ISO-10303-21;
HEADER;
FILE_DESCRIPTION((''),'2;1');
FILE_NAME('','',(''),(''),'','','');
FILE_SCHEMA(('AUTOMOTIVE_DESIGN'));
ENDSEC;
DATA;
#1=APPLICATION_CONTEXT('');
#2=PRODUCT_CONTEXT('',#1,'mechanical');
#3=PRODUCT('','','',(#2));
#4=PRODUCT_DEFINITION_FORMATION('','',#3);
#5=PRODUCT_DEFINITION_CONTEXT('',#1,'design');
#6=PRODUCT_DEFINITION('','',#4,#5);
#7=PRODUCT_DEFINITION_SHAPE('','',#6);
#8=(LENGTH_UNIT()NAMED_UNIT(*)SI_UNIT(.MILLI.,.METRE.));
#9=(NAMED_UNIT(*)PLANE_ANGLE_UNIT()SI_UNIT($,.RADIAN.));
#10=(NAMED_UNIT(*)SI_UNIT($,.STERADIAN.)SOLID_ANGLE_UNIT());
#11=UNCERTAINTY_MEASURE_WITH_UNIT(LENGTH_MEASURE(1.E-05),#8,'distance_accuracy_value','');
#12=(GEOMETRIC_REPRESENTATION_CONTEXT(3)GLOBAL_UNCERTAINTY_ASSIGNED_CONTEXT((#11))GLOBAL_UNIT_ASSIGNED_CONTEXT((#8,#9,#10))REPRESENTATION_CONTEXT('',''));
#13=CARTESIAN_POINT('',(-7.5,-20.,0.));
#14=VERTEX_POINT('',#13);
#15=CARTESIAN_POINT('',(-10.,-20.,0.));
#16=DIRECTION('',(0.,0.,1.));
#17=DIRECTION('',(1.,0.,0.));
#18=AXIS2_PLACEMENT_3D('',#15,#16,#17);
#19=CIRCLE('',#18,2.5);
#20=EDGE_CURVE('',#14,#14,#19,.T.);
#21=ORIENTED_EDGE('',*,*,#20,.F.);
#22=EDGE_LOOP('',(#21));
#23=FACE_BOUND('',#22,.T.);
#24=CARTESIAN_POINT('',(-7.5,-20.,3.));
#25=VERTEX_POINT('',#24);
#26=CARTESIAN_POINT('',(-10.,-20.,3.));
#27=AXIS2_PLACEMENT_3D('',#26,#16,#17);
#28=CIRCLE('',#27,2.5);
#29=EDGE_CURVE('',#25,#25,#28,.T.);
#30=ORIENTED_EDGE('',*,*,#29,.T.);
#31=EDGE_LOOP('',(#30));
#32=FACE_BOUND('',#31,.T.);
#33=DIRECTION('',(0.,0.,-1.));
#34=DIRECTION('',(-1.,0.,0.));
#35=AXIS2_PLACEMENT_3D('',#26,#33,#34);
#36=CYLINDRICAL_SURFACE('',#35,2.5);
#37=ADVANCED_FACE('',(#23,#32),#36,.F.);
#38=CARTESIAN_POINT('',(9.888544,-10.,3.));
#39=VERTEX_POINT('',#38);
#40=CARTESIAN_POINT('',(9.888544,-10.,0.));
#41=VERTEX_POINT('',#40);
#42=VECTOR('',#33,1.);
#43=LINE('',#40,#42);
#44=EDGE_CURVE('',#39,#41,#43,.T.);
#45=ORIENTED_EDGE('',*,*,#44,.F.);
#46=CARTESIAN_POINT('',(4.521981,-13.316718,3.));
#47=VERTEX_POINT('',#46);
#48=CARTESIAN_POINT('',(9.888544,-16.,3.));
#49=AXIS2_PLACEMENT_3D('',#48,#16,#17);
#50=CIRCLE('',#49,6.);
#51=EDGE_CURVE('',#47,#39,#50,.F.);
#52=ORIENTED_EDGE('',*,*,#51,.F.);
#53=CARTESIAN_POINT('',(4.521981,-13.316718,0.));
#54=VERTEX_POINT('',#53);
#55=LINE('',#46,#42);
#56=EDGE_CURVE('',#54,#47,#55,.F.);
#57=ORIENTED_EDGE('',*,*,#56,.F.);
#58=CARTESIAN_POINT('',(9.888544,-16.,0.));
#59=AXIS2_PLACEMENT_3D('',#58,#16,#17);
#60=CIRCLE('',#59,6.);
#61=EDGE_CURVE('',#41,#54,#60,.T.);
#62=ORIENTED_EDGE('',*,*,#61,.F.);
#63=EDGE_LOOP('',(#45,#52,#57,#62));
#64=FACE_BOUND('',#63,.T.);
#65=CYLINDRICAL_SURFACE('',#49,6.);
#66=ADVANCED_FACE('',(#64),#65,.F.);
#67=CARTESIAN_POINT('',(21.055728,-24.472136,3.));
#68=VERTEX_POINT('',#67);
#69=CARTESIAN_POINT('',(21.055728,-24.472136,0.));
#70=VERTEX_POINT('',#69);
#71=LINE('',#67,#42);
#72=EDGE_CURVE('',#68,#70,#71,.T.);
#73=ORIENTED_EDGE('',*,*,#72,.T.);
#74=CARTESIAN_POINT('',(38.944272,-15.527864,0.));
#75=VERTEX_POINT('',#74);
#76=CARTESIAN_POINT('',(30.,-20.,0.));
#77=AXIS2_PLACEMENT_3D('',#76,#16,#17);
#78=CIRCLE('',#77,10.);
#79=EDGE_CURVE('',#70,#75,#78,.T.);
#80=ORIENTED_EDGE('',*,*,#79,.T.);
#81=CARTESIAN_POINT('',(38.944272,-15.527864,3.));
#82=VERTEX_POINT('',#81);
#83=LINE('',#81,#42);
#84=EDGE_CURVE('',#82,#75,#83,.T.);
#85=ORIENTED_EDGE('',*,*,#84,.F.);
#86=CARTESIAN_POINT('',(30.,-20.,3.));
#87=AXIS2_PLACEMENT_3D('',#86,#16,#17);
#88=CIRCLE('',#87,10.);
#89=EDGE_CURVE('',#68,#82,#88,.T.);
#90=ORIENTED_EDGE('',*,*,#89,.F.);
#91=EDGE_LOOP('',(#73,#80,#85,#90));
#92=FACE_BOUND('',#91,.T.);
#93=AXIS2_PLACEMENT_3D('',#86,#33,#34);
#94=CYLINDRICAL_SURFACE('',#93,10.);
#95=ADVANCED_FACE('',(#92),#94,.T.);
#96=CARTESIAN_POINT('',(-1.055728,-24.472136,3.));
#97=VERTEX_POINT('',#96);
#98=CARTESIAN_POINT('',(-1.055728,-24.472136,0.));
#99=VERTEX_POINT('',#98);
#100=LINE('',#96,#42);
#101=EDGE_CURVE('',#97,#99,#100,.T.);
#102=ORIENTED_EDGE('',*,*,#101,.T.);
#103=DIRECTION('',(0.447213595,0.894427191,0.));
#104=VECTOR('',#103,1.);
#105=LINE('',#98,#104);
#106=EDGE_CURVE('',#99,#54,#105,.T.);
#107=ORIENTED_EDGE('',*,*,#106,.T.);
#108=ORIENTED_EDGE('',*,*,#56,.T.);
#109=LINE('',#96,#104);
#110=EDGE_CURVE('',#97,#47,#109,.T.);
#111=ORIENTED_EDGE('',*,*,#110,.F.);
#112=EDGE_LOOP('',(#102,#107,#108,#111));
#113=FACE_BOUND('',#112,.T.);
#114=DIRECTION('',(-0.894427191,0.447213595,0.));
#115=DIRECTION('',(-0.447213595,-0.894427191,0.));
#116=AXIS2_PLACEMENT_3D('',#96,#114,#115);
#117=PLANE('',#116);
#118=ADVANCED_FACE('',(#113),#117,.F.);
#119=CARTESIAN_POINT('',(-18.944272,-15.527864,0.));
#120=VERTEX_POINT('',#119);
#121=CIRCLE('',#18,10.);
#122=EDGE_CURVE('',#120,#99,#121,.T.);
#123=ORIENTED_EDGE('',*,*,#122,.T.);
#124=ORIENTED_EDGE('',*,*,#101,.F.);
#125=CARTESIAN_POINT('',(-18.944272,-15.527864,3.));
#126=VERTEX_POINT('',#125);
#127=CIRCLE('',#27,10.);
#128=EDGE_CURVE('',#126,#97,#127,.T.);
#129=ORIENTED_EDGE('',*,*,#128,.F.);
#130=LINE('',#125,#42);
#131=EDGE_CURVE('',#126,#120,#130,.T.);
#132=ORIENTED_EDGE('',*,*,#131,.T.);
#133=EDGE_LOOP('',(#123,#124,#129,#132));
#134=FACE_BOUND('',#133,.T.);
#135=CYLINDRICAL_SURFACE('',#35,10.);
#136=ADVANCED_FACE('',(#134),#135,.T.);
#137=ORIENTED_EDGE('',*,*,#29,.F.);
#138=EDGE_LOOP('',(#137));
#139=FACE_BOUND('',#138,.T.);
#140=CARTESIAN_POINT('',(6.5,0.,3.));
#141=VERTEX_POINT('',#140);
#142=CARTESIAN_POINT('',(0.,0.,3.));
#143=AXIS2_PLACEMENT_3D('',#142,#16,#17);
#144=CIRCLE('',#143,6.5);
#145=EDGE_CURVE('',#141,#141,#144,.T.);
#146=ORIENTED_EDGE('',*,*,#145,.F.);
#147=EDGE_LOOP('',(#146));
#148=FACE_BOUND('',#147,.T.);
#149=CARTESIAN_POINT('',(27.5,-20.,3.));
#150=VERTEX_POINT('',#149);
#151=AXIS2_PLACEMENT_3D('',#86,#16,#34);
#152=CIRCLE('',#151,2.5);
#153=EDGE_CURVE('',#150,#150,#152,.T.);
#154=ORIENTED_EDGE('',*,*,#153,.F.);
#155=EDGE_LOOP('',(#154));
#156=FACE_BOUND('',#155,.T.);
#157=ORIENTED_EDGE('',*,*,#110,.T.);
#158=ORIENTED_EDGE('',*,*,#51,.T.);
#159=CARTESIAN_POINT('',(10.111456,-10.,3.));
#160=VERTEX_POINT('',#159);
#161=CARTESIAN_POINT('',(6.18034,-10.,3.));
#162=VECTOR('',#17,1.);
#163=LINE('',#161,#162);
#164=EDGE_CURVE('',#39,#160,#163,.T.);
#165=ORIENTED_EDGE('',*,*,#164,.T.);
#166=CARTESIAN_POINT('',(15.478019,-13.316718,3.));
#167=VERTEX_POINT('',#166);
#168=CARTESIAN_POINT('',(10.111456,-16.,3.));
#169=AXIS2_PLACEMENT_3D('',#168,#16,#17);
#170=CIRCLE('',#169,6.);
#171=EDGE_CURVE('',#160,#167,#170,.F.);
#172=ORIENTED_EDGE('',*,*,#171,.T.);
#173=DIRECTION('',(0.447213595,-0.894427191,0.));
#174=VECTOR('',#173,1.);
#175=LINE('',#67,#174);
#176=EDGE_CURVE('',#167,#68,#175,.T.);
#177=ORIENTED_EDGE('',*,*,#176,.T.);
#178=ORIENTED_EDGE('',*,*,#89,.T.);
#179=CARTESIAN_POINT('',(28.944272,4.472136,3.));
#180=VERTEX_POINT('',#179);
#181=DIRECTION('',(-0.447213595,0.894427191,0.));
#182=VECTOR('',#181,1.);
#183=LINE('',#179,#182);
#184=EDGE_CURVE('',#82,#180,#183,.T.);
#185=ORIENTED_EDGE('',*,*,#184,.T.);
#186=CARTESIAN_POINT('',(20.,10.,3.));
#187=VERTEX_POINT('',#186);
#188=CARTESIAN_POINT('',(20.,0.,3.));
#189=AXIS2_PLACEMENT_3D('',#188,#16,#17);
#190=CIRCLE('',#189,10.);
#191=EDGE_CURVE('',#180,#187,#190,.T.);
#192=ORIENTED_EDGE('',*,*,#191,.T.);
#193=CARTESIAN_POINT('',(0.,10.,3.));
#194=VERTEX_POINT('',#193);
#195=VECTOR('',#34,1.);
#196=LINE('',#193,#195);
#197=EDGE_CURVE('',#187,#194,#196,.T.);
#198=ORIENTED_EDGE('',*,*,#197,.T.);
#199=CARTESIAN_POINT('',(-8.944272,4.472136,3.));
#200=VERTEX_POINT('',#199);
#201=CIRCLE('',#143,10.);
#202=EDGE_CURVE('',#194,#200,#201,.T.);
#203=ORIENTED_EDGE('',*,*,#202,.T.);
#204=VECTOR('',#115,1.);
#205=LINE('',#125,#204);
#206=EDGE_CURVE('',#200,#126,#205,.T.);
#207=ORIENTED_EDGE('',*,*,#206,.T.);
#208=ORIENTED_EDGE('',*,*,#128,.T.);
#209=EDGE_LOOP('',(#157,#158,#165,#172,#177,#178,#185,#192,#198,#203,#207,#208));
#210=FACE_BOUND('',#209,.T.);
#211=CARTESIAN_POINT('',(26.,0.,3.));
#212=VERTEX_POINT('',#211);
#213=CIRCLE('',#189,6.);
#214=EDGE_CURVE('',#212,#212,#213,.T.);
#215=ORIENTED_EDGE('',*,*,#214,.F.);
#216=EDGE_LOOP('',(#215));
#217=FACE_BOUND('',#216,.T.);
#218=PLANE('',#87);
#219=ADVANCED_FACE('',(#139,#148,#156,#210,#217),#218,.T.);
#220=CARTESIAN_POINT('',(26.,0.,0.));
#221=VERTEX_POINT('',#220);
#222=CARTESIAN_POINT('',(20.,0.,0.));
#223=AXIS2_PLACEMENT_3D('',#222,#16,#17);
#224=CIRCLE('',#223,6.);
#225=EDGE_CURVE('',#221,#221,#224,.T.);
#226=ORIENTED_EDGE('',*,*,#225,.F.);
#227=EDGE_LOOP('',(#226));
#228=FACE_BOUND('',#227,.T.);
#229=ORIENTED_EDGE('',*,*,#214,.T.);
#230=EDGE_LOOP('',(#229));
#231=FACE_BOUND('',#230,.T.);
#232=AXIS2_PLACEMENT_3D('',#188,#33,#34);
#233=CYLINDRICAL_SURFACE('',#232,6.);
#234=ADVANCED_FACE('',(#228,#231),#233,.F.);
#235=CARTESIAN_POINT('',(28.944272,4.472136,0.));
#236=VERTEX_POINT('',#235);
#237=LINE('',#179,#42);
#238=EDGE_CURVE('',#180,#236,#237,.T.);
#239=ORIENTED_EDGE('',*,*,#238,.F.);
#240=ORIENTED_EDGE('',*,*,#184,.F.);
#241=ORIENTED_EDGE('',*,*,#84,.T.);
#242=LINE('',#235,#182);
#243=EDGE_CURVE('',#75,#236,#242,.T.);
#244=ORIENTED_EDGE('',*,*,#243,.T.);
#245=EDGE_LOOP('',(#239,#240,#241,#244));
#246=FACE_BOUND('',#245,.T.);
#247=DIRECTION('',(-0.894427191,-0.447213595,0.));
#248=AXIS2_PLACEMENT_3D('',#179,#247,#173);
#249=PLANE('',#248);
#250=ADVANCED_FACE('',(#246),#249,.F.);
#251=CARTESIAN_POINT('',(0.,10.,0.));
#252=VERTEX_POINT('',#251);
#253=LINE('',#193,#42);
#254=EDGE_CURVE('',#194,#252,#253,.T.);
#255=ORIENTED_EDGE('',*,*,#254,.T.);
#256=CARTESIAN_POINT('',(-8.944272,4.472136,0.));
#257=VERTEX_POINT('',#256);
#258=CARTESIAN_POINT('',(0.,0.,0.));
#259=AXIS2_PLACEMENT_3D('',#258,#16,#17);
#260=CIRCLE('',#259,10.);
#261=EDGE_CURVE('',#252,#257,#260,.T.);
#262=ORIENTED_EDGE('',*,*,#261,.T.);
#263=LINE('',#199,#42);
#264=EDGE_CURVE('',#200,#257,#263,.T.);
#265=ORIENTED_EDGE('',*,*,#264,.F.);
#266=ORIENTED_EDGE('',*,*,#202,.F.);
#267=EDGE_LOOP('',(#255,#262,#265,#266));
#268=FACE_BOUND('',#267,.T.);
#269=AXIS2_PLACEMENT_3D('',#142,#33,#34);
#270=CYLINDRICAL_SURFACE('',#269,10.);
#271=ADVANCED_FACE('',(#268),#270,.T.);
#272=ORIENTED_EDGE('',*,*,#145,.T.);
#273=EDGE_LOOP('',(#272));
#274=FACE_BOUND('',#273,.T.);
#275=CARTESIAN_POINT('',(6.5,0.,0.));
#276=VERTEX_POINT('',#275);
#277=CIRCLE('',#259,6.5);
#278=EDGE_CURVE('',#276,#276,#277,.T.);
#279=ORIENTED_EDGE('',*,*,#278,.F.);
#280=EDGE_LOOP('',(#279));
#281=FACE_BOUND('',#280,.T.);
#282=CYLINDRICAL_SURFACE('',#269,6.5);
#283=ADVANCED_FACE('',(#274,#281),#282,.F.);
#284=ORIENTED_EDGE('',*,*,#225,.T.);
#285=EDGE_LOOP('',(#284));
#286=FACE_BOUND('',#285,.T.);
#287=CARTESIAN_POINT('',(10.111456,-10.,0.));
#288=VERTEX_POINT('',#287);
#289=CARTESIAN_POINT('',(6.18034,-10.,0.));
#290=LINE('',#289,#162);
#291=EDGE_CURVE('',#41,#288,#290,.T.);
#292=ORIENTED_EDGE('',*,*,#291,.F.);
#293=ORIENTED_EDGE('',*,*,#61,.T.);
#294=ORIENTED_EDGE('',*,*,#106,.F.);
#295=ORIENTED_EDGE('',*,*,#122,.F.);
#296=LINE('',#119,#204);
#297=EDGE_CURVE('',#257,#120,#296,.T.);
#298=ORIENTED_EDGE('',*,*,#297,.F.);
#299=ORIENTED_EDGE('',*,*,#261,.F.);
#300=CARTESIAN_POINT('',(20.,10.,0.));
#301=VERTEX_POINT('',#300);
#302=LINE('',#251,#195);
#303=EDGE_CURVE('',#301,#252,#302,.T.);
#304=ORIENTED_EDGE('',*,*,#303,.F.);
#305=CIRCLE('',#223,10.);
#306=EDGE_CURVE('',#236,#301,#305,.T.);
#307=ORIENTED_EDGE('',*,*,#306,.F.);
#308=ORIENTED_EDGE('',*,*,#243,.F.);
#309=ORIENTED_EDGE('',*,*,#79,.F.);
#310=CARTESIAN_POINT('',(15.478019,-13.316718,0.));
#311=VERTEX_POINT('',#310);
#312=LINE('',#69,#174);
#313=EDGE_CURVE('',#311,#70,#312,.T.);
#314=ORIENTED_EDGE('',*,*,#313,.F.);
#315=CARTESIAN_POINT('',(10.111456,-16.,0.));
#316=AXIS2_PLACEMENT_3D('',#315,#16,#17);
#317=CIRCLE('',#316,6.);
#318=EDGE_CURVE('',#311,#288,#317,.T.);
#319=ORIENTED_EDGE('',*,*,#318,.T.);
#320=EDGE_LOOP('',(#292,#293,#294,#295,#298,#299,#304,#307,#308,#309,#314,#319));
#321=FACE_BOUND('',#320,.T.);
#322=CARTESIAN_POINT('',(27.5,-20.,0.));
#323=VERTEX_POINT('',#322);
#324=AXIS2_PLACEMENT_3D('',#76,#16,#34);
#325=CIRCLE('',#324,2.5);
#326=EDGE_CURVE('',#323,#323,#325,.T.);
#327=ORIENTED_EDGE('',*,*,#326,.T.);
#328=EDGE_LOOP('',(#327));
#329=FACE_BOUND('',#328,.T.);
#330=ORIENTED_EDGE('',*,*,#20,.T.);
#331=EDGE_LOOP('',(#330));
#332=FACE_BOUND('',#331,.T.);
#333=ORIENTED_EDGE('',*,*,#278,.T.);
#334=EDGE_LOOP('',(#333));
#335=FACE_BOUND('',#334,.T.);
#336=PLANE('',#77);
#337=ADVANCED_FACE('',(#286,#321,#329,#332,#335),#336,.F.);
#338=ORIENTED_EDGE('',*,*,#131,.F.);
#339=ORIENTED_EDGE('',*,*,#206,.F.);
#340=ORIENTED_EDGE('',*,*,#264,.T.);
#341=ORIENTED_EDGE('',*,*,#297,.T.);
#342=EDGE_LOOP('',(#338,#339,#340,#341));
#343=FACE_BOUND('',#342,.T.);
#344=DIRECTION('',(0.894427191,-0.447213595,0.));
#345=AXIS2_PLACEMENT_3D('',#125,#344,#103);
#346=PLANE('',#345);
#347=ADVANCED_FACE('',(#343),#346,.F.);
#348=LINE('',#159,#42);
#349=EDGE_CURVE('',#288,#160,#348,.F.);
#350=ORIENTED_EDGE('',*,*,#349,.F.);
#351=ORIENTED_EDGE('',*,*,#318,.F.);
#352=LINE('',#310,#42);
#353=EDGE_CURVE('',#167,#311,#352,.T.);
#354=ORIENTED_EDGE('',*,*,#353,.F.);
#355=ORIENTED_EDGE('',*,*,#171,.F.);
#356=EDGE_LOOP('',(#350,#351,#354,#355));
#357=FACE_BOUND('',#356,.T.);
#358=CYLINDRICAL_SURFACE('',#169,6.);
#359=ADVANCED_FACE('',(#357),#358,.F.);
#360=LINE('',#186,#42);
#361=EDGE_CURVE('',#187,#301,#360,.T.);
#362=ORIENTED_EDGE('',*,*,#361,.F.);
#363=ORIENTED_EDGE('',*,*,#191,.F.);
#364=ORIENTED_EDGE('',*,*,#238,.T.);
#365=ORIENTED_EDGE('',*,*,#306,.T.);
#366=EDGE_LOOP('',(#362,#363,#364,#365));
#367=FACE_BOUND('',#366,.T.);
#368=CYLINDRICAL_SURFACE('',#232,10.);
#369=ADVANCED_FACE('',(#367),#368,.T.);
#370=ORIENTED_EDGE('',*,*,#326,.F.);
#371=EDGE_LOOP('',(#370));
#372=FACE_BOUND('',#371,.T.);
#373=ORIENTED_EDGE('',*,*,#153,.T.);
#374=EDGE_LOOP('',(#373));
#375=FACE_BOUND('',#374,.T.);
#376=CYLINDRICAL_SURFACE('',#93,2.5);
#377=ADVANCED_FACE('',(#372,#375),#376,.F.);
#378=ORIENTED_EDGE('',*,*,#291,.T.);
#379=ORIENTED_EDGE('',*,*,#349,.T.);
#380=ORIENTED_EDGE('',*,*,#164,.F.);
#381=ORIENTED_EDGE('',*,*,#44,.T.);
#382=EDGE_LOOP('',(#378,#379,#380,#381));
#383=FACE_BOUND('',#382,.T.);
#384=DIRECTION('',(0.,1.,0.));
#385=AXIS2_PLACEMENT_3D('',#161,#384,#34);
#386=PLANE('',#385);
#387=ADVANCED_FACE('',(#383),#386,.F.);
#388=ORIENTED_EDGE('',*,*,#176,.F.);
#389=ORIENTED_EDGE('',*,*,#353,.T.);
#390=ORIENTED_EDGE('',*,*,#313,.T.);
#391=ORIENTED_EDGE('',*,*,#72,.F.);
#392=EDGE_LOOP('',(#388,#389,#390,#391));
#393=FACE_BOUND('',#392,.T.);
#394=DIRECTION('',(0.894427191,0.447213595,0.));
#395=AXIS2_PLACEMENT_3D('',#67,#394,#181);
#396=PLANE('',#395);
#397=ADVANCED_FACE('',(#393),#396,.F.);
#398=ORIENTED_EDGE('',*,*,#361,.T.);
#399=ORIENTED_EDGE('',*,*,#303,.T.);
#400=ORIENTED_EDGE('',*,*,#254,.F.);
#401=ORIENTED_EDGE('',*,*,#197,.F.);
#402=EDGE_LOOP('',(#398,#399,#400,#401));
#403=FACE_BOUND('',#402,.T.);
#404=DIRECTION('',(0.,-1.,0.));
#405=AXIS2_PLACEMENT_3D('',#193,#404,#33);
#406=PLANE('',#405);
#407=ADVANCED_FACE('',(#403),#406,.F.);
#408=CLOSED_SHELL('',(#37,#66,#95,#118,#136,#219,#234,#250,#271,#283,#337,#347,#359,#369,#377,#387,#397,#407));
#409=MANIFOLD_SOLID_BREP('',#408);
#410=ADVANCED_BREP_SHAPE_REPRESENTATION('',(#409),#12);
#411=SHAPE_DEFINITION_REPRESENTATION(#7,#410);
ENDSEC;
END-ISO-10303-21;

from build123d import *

# Parameters (mm, degrees)
ESQUISSE1_R        = 6.5
ESQUISSE1_R_2      = 6
ESQUISSE1_R_3      = 2.5
BOSS_EXTRU_1_DEPTH = 3
CONG_1_R           = 6


with BuildPart() as part:
    # Esquisse1 → Boss.-Extru.1 (new body)
    with BuildSketch(Plane.XY):
        with BuildLine():
            Line((0, 10), (20, 10))
            ThreePointArc((20, 10), (25.257311121, 8.506508084), (28.94427191, 4.472135955))
            Line((28.94427191, 4.472135955), (38.94427191, -15.527864045))
            ThreePointArc((38.94427191, -15.527864045), (34.472135955, -28.94427191), (21.05572809, -24.472135955))
            Line((21.05572809, -24.472135955), (13.819660113, -10))
            Line((13.819660113, -10), (6.180339887, -10))
            Line((6.180339887, -10), (-1.05572809, -24.472135955))
            ThreePointArc((-1.05572809, -24.472135955), (-14.472135955, -28.94427191), (-18.94427191, -15.527864045))
            Line((-18.94427191, -15.527864045), (-8.94427191, 4.472135955))
            ThreePointArc((-8.94427191, 4.472135955), (-5.257311121, 8.506508084), (0, 10))
        make_face()
        Circle(ESQUISSE1_R, mode=Mode.SUBTRACT)
        with Locations((20, 0)):
            Circle(ESQUISSE1_R_2, mode=Mode.SUBTRACT)
        with Locations((-10, -20)):
            Circle(ESQUISSE1_R_3, mode=Mode.SUBTRACT)
        with Locations((30, -20)):
            Circle(ESQUISSE1_R_3, mode=Mode.SUBTRACT)
    extrude(amount=BOSS_EXTRU_1_DEPTH)

    # Congé1
    cong_1_edges = [part.edges().sort_by_distance(p)[0] for p in [
        (6.180339887, -10, 1.5),
        (13.819660113, -10, 1.5),
    ]]
    fillet(cong_1_edges, radius=CONG_1_R)


solid = part.part
